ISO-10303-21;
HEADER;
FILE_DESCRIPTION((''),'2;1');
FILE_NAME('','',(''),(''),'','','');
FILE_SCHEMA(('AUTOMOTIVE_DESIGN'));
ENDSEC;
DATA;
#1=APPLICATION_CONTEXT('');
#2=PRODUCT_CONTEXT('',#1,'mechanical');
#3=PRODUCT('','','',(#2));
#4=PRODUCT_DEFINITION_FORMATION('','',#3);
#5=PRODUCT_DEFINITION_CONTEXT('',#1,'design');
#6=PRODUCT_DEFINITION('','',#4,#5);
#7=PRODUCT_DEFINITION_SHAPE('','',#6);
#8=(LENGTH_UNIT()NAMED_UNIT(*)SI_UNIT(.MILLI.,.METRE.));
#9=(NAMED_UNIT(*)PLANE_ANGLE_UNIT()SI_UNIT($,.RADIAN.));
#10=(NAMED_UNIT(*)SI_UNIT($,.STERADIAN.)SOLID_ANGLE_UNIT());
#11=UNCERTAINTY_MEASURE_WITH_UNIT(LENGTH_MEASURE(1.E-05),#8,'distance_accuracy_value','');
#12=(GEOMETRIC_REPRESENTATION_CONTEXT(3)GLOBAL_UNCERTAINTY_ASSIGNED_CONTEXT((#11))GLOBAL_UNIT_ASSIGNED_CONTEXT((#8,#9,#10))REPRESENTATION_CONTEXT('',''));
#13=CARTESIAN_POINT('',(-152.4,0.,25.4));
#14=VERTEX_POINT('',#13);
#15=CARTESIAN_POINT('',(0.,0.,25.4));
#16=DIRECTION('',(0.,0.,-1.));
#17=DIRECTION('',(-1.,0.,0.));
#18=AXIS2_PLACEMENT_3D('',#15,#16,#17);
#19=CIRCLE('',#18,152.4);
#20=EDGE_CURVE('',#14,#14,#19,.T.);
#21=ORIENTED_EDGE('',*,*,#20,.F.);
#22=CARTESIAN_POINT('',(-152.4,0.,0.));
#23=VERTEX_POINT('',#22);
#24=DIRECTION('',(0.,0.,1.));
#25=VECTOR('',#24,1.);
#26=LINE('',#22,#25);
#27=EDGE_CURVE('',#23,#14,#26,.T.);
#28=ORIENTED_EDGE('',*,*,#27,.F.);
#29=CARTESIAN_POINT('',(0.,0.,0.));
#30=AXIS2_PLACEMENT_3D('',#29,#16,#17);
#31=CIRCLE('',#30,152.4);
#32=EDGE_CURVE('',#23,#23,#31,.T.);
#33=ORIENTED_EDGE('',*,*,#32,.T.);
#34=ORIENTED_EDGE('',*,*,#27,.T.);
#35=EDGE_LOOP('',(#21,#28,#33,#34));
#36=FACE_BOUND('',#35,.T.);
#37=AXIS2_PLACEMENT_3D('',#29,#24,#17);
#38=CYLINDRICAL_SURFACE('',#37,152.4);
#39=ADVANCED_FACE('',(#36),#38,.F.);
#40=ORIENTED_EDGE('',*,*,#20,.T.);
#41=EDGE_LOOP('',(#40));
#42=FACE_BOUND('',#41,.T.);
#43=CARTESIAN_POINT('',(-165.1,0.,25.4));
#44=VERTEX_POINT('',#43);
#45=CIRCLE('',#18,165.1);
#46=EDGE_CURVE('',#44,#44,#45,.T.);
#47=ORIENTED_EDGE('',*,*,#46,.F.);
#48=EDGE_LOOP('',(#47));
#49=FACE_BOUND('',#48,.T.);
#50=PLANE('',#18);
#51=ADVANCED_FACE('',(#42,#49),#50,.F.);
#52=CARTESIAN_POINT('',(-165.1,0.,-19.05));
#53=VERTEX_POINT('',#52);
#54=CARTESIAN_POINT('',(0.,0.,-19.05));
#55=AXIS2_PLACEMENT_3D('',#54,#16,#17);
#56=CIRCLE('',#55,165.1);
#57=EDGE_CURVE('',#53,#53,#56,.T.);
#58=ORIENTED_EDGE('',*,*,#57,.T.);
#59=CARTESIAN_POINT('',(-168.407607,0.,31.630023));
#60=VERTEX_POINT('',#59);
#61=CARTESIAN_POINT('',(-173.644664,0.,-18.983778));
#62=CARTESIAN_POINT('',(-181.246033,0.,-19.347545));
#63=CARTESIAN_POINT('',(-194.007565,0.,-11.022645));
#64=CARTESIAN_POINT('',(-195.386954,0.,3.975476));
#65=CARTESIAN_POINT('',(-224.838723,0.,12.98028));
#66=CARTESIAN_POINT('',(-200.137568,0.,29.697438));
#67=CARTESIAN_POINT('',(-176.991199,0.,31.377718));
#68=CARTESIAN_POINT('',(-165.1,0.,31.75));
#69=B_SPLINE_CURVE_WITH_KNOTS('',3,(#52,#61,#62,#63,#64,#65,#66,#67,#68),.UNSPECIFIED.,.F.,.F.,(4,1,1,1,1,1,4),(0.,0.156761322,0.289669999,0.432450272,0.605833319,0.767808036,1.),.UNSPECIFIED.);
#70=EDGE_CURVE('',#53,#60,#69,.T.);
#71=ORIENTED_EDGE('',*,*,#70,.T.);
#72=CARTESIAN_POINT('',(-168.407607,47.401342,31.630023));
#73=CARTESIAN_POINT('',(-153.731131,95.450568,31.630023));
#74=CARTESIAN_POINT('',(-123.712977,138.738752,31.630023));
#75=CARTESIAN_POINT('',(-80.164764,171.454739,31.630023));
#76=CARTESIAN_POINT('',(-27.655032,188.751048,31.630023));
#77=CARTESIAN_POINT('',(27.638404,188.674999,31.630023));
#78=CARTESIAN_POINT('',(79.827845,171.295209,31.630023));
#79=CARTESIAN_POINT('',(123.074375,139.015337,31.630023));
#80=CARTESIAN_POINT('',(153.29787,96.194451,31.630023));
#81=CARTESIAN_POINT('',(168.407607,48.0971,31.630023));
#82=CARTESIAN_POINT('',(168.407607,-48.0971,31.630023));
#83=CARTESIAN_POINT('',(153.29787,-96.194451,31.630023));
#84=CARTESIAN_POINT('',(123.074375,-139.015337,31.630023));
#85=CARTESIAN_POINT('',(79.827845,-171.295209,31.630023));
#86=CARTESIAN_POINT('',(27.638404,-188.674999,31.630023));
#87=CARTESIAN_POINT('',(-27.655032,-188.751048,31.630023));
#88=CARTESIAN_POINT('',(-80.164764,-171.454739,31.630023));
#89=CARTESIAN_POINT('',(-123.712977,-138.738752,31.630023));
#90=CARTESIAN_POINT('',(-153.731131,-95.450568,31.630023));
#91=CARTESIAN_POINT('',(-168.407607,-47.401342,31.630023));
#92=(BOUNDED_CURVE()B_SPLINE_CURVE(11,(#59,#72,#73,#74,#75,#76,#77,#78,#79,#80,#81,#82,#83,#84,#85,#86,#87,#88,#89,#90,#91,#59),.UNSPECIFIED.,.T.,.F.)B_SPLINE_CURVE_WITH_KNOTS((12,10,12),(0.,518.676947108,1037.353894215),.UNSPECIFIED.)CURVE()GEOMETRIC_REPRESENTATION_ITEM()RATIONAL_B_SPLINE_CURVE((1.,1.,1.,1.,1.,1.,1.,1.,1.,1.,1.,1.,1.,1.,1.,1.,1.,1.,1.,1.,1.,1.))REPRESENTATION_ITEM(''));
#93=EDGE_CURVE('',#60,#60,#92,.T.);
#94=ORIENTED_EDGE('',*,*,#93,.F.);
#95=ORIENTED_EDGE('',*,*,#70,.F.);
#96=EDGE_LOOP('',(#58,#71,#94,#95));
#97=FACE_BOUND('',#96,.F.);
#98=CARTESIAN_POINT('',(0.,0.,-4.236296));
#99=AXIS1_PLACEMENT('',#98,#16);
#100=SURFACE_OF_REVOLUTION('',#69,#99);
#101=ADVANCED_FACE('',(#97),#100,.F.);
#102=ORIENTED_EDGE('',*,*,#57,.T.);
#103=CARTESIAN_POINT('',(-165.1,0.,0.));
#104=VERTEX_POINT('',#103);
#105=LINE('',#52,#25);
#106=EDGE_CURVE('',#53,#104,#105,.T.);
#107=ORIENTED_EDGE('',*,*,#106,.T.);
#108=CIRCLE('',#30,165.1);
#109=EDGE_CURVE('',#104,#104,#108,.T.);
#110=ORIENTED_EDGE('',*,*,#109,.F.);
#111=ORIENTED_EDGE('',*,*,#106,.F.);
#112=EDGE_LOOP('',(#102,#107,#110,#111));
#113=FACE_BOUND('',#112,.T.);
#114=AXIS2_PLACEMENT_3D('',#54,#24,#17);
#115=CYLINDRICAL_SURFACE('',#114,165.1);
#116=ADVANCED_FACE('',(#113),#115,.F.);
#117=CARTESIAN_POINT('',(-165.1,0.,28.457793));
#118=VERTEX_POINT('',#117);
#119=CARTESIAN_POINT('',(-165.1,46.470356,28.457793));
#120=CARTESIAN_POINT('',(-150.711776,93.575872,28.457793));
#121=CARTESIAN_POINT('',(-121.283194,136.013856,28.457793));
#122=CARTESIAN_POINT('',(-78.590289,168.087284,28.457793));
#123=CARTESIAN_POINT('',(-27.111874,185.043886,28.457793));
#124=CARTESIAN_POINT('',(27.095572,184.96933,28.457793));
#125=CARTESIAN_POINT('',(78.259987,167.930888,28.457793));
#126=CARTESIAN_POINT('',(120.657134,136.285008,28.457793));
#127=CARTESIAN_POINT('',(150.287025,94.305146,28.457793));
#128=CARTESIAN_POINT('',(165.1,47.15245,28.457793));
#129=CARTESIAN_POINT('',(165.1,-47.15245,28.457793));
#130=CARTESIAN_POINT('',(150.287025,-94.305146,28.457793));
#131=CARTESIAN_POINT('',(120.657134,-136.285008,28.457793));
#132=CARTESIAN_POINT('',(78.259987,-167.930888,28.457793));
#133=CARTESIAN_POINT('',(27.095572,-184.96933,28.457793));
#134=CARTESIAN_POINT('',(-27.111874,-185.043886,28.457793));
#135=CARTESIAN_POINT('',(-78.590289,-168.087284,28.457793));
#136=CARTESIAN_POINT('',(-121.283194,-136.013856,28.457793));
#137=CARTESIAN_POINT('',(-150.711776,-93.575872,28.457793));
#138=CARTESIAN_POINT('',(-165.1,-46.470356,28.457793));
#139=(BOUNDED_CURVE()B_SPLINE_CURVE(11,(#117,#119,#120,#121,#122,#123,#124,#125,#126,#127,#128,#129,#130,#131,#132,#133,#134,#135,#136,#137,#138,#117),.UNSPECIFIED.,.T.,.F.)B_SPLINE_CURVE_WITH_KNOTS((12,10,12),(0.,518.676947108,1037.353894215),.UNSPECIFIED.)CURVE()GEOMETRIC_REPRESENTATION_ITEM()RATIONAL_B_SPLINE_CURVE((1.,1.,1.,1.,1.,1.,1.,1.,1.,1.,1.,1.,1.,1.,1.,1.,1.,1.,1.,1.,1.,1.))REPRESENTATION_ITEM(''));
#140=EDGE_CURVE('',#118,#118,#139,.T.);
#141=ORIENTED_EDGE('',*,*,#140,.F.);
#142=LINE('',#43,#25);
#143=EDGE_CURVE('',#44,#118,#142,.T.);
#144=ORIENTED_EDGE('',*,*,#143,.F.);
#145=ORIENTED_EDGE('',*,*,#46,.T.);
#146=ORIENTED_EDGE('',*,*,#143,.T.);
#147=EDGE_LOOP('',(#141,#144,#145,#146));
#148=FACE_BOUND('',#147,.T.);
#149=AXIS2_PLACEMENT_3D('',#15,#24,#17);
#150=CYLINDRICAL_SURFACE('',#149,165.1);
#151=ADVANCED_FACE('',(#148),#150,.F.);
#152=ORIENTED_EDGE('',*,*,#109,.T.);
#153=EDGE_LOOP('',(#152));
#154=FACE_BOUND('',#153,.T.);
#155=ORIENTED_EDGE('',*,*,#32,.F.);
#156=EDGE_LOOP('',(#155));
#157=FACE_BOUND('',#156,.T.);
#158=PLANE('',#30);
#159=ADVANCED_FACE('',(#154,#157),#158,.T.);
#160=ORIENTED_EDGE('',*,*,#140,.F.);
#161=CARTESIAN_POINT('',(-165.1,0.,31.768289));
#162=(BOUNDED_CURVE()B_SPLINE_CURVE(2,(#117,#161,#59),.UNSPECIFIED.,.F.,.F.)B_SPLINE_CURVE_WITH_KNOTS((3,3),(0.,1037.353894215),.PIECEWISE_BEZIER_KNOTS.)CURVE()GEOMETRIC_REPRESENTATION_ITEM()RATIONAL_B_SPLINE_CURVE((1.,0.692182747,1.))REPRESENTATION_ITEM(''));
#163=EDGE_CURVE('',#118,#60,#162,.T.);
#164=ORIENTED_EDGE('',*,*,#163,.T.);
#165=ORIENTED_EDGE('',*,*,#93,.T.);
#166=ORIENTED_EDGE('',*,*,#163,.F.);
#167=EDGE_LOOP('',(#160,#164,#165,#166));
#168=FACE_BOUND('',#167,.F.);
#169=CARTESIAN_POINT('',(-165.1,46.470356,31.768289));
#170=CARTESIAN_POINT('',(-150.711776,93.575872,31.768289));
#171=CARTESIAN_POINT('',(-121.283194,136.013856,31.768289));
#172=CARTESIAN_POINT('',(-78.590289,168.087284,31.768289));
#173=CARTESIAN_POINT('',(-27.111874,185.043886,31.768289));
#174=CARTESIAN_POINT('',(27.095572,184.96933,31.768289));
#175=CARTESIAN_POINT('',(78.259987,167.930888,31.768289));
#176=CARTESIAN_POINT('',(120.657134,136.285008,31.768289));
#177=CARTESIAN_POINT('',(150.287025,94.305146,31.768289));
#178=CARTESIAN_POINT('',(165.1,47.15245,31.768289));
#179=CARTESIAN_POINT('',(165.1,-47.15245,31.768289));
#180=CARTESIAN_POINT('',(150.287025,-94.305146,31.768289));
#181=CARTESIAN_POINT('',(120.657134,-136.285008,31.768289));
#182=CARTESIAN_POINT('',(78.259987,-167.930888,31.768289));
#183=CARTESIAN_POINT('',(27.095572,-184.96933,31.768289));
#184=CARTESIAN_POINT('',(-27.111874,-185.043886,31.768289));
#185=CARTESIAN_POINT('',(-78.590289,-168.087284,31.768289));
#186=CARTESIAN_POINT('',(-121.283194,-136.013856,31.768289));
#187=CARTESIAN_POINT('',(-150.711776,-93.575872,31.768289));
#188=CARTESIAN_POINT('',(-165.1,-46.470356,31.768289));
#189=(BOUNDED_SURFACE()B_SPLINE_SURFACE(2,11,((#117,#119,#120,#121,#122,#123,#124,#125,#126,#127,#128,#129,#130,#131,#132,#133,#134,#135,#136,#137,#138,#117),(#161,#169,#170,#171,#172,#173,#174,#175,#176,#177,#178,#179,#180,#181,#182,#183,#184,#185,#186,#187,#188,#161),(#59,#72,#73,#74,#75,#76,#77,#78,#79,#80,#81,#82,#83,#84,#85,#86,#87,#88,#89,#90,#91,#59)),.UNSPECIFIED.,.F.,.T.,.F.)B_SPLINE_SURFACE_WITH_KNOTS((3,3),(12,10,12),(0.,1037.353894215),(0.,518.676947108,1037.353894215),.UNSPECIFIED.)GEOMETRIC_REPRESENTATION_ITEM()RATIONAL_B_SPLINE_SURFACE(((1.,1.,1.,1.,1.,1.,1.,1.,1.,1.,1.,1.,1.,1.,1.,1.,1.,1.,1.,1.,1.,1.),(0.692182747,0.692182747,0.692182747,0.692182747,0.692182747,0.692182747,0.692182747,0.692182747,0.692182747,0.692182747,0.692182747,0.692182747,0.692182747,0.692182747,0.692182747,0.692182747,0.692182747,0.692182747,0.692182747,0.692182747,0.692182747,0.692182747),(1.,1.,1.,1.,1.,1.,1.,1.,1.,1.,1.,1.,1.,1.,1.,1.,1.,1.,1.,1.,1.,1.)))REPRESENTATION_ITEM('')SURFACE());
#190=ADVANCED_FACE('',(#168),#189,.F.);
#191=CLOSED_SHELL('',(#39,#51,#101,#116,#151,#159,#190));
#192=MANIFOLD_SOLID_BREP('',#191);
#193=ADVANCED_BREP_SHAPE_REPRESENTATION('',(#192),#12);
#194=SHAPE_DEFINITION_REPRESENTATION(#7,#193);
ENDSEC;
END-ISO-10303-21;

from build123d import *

# Parameters (mm, degrees)
F3_R = 3.175


with BuildPart() as f2:
    # F1 (on Front) → F2 (revolve)
    with BuildSketch(Plane.XZ):
        with BuildLine():
            Line((-165.1, 0), (-152.4, 0))
            Line((-152.4, 0), (-152.4, 25.4))
            Line((-152.4, 25.4), (-165.1, 25.4))
            Line((-165.1, 25.4), (-165.1, 31.75))
            add(Edge.make_bspline(
                [(-165.1, -19.05), (-173.6446641297, -18.9837780367), (-181.2460331174, -19.3475446829), (-194.0075645783, -11.022645064), (-195.3869539015, 3.9754763893), (-224.8387234307, 12.9802804063), (-200.1375677161, 29.6974381017), (-176.9911993258, 31.3777180289), (-165.1, 31.75)],
                knots=[0, 0, 0, 0, 0.1567613221, 0.2896699988, 0.4324502723, 0.6058333187, 0.7678080364, 1, 1, 1, 1], degree=3))
            Line((-165.1, -19.05), (-165.1, 0))
        make_face()
    revolve(axis=Axis((0, 0, -4.2362962902), (0, 0, -1)))

    # F3
    f3_edges = [f2.edges().sort_by_distance(p)[0] for p in [
        (165.1, 0, 31.75),
    ]]
    fillet(f3_edges, radius=F3_R)


solid = f2.part
